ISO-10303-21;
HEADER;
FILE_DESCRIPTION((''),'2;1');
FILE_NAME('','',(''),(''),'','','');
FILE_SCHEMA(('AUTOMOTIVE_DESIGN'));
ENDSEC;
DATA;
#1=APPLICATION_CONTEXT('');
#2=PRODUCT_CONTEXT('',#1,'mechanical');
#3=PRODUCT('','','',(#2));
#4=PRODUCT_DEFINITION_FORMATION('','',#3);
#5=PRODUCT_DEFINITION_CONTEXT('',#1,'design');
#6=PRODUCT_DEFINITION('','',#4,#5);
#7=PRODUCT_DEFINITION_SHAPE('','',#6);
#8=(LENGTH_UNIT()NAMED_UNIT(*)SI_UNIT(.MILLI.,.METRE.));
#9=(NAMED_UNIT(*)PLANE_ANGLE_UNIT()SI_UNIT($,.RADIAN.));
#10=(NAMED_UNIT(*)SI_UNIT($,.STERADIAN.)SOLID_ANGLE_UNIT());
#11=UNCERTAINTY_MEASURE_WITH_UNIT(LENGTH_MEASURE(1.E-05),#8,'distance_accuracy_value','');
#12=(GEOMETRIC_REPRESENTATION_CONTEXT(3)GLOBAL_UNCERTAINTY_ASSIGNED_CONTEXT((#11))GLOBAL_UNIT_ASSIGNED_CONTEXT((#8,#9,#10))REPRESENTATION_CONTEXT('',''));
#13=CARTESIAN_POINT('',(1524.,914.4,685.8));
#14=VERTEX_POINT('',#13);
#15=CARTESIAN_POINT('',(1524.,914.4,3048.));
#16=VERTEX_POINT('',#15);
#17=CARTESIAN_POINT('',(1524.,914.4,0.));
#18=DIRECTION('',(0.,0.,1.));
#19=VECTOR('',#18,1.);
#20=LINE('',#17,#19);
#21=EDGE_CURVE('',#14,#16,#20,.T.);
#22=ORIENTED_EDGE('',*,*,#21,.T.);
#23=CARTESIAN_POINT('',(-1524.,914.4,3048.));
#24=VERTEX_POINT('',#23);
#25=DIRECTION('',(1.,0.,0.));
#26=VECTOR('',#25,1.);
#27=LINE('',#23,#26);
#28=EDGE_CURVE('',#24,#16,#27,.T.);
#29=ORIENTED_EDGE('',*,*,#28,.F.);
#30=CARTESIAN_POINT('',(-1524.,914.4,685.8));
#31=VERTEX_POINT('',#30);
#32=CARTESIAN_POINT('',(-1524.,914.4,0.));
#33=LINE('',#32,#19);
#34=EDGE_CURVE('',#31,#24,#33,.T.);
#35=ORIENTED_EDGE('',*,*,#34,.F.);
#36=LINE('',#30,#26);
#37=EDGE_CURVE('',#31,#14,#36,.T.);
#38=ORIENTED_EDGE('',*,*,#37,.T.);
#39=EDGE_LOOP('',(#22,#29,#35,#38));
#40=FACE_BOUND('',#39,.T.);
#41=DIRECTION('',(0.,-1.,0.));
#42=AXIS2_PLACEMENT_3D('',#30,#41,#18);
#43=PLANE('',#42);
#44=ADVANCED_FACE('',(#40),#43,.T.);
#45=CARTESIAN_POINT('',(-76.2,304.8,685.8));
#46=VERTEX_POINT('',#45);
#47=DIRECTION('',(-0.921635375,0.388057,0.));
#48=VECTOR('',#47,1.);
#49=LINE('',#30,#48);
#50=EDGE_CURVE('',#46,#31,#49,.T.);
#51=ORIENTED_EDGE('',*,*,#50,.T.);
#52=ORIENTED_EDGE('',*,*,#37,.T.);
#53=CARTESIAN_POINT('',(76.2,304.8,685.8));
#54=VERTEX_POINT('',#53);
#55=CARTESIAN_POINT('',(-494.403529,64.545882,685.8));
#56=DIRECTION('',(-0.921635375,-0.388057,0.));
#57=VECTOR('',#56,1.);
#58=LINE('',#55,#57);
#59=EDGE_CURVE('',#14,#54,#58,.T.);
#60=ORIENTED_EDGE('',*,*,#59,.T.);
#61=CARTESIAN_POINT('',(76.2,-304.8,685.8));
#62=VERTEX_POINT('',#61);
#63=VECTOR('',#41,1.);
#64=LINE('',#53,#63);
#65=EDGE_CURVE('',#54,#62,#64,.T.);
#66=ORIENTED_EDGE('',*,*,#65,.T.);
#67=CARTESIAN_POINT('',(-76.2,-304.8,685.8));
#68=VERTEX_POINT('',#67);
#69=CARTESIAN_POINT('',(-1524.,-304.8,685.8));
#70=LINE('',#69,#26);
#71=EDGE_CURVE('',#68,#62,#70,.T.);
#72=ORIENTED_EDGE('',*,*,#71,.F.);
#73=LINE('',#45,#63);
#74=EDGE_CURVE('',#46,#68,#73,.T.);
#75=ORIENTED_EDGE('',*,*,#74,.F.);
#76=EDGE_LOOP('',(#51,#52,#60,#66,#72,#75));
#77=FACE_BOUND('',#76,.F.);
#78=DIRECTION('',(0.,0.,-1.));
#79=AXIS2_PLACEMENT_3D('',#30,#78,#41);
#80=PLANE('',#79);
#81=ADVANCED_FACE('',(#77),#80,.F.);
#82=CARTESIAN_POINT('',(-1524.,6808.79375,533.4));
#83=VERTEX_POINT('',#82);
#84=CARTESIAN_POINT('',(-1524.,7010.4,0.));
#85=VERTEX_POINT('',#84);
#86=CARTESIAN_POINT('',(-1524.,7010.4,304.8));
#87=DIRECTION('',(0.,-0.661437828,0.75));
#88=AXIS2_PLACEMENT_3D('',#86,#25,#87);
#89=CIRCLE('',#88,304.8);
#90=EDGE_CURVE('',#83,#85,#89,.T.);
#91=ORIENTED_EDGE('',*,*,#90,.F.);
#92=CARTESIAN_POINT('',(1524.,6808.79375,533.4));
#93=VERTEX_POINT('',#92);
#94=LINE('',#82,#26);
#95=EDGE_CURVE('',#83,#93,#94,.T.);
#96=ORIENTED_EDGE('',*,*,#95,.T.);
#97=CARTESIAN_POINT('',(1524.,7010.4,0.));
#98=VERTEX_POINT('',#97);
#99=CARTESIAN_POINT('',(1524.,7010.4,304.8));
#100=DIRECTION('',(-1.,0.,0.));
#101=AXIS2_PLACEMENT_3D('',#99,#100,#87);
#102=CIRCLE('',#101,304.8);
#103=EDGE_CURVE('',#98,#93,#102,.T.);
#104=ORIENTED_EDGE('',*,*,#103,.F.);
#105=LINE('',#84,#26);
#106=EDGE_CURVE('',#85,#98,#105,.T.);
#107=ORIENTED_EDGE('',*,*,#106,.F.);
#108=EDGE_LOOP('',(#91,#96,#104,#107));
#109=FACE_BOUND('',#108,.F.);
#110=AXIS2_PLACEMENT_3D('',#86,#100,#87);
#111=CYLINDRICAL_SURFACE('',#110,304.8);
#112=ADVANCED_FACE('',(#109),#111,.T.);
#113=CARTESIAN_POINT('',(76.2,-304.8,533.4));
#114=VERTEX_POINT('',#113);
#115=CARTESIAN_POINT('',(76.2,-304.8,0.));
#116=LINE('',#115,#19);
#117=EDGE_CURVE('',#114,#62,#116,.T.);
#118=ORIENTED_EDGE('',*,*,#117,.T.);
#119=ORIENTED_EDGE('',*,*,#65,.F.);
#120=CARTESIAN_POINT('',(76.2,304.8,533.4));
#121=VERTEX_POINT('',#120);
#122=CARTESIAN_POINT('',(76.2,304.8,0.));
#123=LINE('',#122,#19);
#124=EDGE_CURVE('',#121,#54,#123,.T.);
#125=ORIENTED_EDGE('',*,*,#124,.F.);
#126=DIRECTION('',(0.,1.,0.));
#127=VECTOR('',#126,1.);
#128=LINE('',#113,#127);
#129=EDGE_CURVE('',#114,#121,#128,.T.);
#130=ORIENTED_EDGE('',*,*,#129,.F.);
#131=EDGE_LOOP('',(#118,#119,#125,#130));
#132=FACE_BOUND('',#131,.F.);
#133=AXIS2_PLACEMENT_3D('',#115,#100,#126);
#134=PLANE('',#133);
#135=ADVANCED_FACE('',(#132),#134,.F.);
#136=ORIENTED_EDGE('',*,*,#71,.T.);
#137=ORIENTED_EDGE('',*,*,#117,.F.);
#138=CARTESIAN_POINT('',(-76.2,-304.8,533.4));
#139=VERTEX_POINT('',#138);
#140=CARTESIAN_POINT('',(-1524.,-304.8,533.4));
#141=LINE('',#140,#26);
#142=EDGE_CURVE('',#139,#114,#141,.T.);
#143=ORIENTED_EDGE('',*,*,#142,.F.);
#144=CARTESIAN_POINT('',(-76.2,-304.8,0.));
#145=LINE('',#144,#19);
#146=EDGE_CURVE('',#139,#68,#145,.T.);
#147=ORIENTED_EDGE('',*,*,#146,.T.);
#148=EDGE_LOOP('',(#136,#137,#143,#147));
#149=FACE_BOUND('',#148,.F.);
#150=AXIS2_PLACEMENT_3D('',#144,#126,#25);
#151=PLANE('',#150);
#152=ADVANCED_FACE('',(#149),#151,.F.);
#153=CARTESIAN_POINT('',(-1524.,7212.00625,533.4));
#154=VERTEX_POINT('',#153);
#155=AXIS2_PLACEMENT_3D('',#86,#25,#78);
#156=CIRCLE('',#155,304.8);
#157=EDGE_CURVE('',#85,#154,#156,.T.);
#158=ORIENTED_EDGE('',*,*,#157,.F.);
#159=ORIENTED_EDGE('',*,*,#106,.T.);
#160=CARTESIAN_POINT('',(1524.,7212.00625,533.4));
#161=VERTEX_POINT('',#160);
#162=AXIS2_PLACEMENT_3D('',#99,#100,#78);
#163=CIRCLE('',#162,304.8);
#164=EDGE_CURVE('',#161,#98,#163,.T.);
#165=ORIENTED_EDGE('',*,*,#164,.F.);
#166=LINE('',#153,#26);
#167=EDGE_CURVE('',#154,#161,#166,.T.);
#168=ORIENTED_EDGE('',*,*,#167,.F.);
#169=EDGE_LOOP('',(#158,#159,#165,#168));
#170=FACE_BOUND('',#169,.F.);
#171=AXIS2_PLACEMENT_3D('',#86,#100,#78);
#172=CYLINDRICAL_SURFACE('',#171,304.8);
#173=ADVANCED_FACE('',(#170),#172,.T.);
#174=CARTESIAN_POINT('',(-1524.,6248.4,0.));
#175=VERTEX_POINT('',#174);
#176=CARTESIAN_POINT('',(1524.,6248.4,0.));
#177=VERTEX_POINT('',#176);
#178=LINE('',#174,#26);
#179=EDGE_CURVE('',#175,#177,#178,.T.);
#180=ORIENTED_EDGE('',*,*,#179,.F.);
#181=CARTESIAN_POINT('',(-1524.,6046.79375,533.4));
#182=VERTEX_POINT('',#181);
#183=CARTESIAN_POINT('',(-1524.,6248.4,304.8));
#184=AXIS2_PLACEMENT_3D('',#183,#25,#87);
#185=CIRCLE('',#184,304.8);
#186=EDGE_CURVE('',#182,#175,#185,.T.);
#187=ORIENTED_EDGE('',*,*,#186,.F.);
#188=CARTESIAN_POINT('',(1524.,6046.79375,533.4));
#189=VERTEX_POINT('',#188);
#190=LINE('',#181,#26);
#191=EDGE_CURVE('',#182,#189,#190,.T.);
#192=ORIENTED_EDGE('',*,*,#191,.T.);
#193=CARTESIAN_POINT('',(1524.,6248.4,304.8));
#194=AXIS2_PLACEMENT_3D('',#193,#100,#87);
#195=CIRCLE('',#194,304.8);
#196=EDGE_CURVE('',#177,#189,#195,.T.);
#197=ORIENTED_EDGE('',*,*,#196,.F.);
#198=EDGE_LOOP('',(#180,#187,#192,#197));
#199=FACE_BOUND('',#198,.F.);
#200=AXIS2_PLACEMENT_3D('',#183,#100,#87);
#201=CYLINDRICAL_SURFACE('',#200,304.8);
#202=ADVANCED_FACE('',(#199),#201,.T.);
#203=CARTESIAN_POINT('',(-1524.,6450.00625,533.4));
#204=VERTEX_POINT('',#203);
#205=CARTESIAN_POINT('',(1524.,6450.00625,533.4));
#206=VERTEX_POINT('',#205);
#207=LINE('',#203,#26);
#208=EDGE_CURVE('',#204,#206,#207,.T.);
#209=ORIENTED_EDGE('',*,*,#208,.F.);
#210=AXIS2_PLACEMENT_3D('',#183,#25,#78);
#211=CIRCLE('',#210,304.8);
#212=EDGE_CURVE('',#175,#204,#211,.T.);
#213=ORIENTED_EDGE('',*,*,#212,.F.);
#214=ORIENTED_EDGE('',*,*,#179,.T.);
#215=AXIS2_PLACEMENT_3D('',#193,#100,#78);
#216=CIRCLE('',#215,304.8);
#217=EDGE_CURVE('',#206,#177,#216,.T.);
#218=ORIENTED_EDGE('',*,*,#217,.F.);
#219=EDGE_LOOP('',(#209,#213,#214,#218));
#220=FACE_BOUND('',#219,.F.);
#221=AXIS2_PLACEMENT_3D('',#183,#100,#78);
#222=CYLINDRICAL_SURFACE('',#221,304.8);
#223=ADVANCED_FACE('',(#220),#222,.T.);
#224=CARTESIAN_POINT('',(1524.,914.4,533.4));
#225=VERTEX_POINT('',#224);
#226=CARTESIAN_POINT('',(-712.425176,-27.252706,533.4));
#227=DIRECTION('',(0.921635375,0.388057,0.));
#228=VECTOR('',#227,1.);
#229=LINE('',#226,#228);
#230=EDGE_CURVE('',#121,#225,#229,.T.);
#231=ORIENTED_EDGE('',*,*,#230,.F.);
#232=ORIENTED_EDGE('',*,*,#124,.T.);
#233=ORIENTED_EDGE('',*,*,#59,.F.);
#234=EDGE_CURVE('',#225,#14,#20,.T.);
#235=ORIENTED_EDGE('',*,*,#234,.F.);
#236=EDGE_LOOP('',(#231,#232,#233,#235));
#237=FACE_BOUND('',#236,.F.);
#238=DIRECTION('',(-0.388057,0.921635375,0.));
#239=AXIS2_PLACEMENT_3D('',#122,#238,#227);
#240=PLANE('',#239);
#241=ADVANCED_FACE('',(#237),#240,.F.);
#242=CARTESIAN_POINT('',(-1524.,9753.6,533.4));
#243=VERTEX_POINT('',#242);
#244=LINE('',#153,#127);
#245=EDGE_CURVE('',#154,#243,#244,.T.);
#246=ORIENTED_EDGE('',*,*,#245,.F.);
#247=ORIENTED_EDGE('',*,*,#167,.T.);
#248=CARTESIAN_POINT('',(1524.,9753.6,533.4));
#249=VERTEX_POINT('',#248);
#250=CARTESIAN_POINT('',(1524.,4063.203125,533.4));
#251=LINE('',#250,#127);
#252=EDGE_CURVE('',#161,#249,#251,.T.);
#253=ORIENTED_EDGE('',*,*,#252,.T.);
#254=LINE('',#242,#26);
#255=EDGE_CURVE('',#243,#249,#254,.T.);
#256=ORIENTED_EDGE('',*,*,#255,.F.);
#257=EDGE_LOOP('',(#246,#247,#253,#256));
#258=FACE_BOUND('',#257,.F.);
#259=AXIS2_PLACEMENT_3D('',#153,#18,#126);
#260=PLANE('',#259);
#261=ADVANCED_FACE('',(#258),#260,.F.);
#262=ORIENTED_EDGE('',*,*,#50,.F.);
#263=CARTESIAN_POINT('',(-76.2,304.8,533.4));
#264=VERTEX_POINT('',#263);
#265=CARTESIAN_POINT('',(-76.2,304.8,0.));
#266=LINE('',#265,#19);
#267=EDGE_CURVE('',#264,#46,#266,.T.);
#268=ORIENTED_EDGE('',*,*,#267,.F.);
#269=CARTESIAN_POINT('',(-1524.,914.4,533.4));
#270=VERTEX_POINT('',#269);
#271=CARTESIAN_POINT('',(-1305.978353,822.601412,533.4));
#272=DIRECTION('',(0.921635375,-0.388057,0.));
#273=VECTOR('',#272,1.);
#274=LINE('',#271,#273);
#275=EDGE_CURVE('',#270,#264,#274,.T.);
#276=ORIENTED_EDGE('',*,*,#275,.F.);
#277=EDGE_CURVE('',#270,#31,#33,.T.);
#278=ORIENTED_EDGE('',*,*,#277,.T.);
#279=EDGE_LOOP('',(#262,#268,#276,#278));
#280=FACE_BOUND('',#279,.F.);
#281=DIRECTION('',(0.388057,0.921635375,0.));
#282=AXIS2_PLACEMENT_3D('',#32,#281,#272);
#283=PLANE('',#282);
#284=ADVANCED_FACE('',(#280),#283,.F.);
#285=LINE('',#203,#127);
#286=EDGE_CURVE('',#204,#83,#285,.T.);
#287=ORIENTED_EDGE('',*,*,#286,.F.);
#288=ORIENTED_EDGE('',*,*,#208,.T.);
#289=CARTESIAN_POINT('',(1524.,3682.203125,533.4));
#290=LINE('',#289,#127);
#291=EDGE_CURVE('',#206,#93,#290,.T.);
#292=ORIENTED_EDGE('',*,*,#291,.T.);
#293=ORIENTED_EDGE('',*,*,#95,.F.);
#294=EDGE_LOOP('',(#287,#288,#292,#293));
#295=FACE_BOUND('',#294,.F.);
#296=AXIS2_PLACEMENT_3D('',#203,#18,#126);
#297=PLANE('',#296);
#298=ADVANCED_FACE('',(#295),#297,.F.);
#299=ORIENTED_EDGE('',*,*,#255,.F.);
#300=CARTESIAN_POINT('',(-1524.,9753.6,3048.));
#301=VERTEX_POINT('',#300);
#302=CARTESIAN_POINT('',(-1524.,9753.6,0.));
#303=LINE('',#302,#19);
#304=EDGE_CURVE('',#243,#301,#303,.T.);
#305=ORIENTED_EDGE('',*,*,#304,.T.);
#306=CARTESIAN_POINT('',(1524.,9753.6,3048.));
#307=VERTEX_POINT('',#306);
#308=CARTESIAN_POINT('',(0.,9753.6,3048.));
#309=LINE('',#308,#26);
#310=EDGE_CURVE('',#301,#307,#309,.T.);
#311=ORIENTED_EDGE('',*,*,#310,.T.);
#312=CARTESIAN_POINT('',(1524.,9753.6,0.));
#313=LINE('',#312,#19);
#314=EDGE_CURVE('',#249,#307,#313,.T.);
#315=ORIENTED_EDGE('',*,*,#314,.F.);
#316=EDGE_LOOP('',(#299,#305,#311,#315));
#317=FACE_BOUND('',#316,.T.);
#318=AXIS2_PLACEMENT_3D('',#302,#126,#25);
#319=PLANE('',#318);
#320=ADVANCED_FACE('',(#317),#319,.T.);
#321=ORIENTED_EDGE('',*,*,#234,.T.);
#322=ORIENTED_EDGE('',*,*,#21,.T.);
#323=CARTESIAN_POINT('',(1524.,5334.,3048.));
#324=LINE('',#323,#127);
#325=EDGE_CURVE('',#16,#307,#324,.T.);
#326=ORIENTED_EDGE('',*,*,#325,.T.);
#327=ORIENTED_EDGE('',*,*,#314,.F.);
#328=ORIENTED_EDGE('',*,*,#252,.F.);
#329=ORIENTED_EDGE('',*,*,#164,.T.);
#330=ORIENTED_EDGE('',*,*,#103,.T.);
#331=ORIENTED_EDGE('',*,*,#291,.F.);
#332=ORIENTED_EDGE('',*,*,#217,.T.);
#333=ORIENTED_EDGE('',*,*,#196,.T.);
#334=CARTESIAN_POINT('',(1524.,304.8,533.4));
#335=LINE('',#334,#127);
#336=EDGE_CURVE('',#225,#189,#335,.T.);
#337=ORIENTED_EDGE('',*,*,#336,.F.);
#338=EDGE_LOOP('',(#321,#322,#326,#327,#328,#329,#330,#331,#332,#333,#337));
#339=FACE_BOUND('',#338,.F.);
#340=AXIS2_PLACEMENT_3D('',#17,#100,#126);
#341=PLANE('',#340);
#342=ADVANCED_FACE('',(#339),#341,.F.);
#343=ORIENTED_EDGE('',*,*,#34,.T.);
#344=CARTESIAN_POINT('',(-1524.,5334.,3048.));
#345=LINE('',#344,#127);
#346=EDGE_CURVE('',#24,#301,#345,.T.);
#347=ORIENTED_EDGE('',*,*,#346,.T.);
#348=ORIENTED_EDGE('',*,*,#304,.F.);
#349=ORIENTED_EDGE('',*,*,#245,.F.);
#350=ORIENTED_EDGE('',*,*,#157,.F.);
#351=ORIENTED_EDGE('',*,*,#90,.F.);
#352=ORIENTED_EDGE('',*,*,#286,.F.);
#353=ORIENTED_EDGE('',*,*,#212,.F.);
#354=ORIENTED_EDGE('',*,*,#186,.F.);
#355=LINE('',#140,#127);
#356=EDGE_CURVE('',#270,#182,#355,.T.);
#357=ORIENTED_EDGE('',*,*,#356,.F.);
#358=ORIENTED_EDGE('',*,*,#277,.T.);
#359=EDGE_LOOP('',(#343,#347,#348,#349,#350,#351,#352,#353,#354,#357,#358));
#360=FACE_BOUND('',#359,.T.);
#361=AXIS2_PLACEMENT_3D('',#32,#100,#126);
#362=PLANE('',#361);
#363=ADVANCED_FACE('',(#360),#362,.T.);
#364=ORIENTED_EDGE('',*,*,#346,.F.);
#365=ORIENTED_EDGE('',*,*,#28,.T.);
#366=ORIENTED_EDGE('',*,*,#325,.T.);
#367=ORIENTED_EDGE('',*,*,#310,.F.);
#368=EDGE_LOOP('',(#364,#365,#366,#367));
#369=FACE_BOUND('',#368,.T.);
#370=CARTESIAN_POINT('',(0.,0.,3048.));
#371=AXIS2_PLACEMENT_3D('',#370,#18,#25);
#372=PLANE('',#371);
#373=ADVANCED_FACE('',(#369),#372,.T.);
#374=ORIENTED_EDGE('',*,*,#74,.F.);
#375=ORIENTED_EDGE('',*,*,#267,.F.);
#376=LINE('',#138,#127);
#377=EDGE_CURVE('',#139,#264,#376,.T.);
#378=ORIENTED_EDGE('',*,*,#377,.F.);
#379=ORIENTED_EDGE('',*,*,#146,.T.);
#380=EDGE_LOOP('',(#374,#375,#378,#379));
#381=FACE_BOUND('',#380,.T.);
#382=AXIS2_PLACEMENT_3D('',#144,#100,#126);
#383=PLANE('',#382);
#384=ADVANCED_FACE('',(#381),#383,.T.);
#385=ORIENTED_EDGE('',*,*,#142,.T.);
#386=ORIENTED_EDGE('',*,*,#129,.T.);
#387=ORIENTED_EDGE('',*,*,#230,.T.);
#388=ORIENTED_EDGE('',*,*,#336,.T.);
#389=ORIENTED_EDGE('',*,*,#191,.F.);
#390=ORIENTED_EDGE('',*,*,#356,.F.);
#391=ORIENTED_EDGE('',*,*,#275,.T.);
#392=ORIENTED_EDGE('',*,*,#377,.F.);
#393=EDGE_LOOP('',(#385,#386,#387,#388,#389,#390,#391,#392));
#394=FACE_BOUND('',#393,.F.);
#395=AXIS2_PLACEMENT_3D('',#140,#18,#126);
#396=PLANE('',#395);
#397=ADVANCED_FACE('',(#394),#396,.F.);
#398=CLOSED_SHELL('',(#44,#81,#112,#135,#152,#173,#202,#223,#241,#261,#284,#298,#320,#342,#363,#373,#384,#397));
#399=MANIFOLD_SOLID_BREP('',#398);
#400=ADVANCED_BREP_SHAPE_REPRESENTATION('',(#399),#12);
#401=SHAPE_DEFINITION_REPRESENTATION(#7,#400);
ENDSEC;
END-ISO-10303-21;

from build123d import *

# Parameters (mm, degrees)
F0_W     = 152.4
F0_H     = 609.6
F0_W_2   = 3048
F0_H_2   = 8839.2
F1_DEPTH = 3048
F2_W     = 1219.2
F2_H     = 2362.2
F3_DEPTH = 3048.001


with BuildPart() as f1:
    # F0 (on Top) → F1 (new body)
    with BuildSketch(Plane.XY):
        Rectangle(F0_W, F0_H)
        Polygon((-76.2, 304.8), (76.2, 304.8), (1524, 914.4), (-1524, 914.4), align=None)
        with Locations((0, 5334)):
            Rectangle(F0_W_2, F0_H_2)
    extrude(amount=F1_DEPTH)

    # F2 (on face) → F3 (cut, through all)
    with BuildSketch(Plane(origin=(-1524, 0, 0), x_dir=(0, -1, 0), z_dir=(-1, 0, 0))):
        with BuildLine():
            ThreePointArc((-6046.79375, 533.4), (-5963.285707, 197.036927), (-6248.4, 0))
            Line((-6248.4, 0), (304.8, 0))
            Line((304.8, 0), (304.8, 533.4))
            Line((304.8, 533.4), (-6046.79375, 533.4))
        make_face()
        with BuildLine():
            ThreePointArc((-6808.79375, 533.4), (-6725.285707, 197.036927), (-7010.4, 0))
            Line((-7010.4, 0), (-6248.4, 0))
            ThreePointArc((-6248.4, 0), (-6533.514293, 197.036927), (-6450.00625, 533.4))
            Line((-6450.00625, 533.4), (-6808.79375, 533.4))
        make_face()
        with BuildLine():
            Line((-7212.00625, 533.4), (-9753.6, 533.4))
            Line((-9753.6, 533.4), (-9753.6, 0))
            Line((-9753.6, 0), (-7010.4, 0))
            ThreePointArc((-7010.4, 0), (-7295.514293, 197.036927), (-7212.00625, 533.4))
        make_face()
        with Locations((-304.8, 1866.9)):
            Rectangle(F2_W, F2_H)
    extrude(amount=-F3_DEPTH, mode=Mode.SUBTRACT)


solid = f1.part
